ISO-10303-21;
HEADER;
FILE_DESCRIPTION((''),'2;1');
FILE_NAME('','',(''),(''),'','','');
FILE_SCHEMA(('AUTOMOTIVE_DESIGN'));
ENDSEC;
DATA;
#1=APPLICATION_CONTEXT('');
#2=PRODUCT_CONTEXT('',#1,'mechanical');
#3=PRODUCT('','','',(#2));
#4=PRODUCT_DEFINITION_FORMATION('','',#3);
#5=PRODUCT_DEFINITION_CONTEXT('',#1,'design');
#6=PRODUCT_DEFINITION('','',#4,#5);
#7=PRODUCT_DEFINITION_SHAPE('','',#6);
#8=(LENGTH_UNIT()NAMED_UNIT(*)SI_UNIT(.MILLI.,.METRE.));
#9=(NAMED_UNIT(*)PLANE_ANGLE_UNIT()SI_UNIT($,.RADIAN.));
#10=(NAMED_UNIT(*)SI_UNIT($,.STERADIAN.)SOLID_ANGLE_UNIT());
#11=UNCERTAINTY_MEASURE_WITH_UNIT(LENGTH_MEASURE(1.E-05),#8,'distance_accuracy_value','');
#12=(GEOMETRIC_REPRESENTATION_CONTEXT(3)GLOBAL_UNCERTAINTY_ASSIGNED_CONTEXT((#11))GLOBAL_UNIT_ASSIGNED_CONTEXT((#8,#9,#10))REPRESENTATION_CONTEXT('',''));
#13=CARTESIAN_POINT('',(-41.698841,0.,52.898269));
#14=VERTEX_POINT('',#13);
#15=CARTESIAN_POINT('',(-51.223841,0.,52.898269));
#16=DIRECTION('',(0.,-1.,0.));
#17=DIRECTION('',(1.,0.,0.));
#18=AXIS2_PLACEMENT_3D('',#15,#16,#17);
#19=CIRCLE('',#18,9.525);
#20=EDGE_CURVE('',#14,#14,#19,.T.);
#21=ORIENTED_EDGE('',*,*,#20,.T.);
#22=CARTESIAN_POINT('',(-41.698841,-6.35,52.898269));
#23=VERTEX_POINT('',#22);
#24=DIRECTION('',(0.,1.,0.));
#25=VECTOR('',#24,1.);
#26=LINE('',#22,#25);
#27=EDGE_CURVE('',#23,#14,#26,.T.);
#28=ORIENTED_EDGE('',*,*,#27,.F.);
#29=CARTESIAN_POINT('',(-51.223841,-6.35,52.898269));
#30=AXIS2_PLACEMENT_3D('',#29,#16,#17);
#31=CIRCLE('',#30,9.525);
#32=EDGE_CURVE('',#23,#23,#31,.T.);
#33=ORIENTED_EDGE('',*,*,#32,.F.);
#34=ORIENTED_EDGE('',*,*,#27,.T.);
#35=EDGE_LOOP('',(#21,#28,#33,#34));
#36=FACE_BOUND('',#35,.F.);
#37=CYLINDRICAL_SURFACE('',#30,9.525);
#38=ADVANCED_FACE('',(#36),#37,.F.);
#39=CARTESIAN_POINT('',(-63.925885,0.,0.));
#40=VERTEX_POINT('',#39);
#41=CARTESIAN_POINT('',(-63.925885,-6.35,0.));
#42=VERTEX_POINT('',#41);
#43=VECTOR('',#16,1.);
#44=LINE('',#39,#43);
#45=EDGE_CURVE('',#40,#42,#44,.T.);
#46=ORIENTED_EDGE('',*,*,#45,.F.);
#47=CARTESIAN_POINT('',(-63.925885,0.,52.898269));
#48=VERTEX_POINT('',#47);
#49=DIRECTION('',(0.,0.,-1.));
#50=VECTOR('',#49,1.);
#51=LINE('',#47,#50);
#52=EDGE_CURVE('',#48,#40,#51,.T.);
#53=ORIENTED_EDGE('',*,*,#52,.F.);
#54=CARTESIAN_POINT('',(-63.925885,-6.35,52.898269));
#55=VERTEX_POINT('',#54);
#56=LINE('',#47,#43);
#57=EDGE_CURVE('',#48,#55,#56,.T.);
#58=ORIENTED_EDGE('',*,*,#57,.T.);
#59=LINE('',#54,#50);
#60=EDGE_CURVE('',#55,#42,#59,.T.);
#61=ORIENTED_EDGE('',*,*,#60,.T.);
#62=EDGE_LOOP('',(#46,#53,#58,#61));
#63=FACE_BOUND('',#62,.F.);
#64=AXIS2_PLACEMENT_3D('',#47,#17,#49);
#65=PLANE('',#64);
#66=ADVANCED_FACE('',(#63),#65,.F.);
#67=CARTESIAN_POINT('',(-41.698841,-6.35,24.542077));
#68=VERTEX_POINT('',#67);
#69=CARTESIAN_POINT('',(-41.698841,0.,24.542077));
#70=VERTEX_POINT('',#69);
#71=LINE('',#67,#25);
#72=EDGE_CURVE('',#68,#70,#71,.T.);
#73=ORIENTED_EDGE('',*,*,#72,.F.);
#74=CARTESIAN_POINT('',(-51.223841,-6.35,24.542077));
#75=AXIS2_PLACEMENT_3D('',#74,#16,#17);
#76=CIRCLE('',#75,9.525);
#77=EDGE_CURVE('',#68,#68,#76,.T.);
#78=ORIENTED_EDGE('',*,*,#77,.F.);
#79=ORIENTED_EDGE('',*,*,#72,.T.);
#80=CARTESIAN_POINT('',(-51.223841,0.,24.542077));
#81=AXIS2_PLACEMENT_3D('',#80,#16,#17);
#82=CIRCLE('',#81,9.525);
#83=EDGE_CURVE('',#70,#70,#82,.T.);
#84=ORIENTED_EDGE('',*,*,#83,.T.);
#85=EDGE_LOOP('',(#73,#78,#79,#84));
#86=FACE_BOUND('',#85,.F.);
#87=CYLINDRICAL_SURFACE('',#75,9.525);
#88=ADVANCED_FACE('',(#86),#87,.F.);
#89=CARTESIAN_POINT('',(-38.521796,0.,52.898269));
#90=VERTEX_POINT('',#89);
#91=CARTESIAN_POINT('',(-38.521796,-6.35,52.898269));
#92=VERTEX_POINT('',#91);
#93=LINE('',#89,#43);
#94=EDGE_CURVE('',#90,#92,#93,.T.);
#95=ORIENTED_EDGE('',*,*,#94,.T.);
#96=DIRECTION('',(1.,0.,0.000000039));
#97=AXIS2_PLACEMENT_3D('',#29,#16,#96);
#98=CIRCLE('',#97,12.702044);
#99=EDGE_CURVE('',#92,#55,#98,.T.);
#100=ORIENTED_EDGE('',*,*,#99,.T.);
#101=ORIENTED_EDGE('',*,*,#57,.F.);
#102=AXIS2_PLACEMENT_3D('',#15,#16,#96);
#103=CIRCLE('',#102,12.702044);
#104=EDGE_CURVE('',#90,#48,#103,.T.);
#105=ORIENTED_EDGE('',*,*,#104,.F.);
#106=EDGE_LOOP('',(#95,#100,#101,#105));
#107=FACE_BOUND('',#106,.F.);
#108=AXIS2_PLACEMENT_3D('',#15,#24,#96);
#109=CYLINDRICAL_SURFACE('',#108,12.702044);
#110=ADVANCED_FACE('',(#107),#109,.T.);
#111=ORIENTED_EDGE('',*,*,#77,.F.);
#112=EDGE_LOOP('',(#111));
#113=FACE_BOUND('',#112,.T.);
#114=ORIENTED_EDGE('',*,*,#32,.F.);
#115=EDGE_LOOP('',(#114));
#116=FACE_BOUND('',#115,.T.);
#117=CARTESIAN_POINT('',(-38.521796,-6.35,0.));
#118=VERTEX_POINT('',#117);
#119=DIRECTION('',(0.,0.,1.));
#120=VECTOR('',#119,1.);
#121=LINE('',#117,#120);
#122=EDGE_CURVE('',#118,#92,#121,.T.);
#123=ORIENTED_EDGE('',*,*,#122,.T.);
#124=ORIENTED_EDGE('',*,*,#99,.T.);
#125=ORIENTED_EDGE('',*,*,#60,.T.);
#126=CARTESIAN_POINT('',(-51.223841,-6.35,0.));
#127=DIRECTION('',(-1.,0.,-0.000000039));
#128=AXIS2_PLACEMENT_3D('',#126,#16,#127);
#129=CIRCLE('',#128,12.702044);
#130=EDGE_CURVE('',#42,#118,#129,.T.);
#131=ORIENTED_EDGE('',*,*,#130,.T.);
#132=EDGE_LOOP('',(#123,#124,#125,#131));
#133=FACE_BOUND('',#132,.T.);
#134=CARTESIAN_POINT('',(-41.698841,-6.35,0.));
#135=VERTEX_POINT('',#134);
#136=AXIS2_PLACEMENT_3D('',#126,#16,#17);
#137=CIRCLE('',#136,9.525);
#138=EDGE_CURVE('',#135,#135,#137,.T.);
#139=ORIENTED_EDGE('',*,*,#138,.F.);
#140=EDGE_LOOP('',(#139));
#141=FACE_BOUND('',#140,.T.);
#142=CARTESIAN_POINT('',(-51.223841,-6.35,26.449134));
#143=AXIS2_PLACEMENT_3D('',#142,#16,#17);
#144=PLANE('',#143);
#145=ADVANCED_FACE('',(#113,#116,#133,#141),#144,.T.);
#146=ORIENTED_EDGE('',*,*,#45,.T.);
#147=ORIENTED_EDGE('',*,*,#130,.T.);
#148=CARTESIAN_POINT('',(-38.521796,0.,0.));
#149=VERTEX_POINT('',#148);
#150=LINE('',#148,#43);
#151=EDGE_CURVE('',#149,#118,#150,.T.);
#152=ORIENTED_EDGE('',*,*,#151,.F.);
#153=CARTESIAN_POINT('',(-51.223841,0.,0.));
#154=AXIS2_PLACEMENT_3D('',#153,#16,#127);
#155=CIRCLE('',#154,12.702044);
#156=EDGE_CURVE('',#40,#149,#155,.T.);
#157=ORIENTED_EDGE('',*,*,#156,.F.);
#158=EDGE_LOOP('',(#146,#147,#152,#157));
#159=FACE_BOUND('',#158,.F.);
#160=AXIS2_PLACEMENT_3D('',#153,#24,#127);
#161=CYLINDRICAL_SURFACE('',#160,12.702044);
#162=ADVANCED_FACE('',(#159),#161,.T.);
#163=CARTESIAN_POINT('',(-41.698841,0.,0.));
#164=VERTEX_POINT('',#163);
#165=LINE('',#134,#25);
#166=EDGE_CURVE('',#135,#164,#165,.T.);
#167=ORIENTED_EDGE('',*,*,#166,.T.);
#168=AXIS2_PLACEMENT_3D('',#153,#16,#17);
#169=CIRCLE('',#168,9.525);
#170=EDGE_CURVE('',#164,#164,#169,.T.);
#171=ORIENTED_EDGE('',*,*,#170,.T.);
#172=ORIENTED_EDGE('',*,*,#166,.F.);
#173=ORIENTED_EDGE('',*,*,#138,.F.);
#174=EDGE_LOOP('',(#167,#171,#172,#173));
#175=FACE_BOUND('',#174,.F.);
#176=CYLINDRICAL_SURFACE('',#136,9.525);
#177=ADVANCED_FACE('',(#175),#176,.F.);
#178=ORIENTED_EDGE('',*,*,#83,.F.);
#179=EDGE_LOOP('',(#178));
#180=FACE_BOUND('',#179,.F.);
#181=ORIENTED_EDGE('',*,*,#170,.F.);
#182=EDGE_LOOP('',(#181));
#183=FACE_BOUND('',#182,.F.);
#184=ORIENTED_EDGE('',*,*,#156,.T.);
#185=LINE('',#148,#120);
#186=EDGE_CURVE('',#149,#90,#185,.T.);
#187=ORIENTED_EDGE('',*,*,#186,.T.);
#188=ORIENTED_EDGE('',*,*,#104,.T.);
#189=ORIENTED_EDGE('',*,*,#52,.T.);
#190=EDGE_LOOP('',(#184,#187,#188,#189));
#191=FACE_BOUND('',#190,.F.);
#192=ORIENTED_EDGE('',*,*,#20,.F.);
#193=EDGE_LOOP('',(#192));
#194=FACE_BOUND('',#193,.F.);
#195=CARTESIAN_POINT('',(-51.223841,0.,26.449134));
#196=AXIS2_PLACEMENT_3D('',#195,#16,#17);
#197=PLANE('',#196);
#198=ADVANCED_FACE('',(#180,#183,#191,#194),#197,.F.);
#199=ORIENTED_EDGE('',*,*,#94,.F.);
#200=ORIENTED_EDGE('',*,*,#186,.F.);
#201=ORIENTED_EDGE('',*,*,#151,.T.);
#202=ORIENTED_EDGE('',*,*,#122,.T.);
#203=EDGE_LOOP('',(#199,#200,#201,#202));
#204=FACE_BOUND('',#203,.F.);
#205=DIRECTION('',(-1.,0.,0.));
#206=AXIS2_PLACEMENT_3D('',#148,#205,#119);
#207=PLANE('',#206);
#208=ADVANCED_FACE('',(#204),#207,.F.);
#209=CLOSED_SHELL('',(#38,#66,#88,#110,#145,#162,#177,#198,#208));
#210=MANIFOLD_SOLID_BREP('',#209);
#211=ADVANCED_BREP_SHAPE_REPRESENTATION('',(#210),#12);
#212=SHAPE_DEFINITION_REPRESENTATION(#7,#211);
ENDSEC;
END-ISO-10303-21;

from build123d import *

# Parameters (mm, degrees)
F1_DEPTH = 6.35
F2_R     = 9.525
F3_DEPTH = 25.4


with BuildPart() as f1:
    # F0 (on Front) → F1 (new body)
    with BuildSketch(Plane.XZ):
        with BuildLine():
            ThreePointArc((-38.521796, 52.898269), (-51.223841, 65.600313), (-63.925885, 52.898269))
            Line((-63.925885, 52.898269), (-63.925885, 0))
            ThreePointArc((-63.925885, 0), (-51.223841, -12.702044), (-38.521796, 0))
            Line((-38.521796, 0), (-38.521796, 52.898269))
        make_face()
    extrude(amount=F1_DEPTH)

    # F2 (on face) → F3 (cut)
    with BuildSketch(Plane.XZ.offset(6.35)):
        with Locations((-51.223841, 24.542077)):
            Circle(F2_R)
        with Locations((-51.223841, 0)):
            Circle(F2_R)
        with Locations((-51.223841, 52.898269)):
            Circle(F2_R)
    extrude(amount=-F3_DEPTH, mode=Mode.SUBTRACT)


solid = f1.part
